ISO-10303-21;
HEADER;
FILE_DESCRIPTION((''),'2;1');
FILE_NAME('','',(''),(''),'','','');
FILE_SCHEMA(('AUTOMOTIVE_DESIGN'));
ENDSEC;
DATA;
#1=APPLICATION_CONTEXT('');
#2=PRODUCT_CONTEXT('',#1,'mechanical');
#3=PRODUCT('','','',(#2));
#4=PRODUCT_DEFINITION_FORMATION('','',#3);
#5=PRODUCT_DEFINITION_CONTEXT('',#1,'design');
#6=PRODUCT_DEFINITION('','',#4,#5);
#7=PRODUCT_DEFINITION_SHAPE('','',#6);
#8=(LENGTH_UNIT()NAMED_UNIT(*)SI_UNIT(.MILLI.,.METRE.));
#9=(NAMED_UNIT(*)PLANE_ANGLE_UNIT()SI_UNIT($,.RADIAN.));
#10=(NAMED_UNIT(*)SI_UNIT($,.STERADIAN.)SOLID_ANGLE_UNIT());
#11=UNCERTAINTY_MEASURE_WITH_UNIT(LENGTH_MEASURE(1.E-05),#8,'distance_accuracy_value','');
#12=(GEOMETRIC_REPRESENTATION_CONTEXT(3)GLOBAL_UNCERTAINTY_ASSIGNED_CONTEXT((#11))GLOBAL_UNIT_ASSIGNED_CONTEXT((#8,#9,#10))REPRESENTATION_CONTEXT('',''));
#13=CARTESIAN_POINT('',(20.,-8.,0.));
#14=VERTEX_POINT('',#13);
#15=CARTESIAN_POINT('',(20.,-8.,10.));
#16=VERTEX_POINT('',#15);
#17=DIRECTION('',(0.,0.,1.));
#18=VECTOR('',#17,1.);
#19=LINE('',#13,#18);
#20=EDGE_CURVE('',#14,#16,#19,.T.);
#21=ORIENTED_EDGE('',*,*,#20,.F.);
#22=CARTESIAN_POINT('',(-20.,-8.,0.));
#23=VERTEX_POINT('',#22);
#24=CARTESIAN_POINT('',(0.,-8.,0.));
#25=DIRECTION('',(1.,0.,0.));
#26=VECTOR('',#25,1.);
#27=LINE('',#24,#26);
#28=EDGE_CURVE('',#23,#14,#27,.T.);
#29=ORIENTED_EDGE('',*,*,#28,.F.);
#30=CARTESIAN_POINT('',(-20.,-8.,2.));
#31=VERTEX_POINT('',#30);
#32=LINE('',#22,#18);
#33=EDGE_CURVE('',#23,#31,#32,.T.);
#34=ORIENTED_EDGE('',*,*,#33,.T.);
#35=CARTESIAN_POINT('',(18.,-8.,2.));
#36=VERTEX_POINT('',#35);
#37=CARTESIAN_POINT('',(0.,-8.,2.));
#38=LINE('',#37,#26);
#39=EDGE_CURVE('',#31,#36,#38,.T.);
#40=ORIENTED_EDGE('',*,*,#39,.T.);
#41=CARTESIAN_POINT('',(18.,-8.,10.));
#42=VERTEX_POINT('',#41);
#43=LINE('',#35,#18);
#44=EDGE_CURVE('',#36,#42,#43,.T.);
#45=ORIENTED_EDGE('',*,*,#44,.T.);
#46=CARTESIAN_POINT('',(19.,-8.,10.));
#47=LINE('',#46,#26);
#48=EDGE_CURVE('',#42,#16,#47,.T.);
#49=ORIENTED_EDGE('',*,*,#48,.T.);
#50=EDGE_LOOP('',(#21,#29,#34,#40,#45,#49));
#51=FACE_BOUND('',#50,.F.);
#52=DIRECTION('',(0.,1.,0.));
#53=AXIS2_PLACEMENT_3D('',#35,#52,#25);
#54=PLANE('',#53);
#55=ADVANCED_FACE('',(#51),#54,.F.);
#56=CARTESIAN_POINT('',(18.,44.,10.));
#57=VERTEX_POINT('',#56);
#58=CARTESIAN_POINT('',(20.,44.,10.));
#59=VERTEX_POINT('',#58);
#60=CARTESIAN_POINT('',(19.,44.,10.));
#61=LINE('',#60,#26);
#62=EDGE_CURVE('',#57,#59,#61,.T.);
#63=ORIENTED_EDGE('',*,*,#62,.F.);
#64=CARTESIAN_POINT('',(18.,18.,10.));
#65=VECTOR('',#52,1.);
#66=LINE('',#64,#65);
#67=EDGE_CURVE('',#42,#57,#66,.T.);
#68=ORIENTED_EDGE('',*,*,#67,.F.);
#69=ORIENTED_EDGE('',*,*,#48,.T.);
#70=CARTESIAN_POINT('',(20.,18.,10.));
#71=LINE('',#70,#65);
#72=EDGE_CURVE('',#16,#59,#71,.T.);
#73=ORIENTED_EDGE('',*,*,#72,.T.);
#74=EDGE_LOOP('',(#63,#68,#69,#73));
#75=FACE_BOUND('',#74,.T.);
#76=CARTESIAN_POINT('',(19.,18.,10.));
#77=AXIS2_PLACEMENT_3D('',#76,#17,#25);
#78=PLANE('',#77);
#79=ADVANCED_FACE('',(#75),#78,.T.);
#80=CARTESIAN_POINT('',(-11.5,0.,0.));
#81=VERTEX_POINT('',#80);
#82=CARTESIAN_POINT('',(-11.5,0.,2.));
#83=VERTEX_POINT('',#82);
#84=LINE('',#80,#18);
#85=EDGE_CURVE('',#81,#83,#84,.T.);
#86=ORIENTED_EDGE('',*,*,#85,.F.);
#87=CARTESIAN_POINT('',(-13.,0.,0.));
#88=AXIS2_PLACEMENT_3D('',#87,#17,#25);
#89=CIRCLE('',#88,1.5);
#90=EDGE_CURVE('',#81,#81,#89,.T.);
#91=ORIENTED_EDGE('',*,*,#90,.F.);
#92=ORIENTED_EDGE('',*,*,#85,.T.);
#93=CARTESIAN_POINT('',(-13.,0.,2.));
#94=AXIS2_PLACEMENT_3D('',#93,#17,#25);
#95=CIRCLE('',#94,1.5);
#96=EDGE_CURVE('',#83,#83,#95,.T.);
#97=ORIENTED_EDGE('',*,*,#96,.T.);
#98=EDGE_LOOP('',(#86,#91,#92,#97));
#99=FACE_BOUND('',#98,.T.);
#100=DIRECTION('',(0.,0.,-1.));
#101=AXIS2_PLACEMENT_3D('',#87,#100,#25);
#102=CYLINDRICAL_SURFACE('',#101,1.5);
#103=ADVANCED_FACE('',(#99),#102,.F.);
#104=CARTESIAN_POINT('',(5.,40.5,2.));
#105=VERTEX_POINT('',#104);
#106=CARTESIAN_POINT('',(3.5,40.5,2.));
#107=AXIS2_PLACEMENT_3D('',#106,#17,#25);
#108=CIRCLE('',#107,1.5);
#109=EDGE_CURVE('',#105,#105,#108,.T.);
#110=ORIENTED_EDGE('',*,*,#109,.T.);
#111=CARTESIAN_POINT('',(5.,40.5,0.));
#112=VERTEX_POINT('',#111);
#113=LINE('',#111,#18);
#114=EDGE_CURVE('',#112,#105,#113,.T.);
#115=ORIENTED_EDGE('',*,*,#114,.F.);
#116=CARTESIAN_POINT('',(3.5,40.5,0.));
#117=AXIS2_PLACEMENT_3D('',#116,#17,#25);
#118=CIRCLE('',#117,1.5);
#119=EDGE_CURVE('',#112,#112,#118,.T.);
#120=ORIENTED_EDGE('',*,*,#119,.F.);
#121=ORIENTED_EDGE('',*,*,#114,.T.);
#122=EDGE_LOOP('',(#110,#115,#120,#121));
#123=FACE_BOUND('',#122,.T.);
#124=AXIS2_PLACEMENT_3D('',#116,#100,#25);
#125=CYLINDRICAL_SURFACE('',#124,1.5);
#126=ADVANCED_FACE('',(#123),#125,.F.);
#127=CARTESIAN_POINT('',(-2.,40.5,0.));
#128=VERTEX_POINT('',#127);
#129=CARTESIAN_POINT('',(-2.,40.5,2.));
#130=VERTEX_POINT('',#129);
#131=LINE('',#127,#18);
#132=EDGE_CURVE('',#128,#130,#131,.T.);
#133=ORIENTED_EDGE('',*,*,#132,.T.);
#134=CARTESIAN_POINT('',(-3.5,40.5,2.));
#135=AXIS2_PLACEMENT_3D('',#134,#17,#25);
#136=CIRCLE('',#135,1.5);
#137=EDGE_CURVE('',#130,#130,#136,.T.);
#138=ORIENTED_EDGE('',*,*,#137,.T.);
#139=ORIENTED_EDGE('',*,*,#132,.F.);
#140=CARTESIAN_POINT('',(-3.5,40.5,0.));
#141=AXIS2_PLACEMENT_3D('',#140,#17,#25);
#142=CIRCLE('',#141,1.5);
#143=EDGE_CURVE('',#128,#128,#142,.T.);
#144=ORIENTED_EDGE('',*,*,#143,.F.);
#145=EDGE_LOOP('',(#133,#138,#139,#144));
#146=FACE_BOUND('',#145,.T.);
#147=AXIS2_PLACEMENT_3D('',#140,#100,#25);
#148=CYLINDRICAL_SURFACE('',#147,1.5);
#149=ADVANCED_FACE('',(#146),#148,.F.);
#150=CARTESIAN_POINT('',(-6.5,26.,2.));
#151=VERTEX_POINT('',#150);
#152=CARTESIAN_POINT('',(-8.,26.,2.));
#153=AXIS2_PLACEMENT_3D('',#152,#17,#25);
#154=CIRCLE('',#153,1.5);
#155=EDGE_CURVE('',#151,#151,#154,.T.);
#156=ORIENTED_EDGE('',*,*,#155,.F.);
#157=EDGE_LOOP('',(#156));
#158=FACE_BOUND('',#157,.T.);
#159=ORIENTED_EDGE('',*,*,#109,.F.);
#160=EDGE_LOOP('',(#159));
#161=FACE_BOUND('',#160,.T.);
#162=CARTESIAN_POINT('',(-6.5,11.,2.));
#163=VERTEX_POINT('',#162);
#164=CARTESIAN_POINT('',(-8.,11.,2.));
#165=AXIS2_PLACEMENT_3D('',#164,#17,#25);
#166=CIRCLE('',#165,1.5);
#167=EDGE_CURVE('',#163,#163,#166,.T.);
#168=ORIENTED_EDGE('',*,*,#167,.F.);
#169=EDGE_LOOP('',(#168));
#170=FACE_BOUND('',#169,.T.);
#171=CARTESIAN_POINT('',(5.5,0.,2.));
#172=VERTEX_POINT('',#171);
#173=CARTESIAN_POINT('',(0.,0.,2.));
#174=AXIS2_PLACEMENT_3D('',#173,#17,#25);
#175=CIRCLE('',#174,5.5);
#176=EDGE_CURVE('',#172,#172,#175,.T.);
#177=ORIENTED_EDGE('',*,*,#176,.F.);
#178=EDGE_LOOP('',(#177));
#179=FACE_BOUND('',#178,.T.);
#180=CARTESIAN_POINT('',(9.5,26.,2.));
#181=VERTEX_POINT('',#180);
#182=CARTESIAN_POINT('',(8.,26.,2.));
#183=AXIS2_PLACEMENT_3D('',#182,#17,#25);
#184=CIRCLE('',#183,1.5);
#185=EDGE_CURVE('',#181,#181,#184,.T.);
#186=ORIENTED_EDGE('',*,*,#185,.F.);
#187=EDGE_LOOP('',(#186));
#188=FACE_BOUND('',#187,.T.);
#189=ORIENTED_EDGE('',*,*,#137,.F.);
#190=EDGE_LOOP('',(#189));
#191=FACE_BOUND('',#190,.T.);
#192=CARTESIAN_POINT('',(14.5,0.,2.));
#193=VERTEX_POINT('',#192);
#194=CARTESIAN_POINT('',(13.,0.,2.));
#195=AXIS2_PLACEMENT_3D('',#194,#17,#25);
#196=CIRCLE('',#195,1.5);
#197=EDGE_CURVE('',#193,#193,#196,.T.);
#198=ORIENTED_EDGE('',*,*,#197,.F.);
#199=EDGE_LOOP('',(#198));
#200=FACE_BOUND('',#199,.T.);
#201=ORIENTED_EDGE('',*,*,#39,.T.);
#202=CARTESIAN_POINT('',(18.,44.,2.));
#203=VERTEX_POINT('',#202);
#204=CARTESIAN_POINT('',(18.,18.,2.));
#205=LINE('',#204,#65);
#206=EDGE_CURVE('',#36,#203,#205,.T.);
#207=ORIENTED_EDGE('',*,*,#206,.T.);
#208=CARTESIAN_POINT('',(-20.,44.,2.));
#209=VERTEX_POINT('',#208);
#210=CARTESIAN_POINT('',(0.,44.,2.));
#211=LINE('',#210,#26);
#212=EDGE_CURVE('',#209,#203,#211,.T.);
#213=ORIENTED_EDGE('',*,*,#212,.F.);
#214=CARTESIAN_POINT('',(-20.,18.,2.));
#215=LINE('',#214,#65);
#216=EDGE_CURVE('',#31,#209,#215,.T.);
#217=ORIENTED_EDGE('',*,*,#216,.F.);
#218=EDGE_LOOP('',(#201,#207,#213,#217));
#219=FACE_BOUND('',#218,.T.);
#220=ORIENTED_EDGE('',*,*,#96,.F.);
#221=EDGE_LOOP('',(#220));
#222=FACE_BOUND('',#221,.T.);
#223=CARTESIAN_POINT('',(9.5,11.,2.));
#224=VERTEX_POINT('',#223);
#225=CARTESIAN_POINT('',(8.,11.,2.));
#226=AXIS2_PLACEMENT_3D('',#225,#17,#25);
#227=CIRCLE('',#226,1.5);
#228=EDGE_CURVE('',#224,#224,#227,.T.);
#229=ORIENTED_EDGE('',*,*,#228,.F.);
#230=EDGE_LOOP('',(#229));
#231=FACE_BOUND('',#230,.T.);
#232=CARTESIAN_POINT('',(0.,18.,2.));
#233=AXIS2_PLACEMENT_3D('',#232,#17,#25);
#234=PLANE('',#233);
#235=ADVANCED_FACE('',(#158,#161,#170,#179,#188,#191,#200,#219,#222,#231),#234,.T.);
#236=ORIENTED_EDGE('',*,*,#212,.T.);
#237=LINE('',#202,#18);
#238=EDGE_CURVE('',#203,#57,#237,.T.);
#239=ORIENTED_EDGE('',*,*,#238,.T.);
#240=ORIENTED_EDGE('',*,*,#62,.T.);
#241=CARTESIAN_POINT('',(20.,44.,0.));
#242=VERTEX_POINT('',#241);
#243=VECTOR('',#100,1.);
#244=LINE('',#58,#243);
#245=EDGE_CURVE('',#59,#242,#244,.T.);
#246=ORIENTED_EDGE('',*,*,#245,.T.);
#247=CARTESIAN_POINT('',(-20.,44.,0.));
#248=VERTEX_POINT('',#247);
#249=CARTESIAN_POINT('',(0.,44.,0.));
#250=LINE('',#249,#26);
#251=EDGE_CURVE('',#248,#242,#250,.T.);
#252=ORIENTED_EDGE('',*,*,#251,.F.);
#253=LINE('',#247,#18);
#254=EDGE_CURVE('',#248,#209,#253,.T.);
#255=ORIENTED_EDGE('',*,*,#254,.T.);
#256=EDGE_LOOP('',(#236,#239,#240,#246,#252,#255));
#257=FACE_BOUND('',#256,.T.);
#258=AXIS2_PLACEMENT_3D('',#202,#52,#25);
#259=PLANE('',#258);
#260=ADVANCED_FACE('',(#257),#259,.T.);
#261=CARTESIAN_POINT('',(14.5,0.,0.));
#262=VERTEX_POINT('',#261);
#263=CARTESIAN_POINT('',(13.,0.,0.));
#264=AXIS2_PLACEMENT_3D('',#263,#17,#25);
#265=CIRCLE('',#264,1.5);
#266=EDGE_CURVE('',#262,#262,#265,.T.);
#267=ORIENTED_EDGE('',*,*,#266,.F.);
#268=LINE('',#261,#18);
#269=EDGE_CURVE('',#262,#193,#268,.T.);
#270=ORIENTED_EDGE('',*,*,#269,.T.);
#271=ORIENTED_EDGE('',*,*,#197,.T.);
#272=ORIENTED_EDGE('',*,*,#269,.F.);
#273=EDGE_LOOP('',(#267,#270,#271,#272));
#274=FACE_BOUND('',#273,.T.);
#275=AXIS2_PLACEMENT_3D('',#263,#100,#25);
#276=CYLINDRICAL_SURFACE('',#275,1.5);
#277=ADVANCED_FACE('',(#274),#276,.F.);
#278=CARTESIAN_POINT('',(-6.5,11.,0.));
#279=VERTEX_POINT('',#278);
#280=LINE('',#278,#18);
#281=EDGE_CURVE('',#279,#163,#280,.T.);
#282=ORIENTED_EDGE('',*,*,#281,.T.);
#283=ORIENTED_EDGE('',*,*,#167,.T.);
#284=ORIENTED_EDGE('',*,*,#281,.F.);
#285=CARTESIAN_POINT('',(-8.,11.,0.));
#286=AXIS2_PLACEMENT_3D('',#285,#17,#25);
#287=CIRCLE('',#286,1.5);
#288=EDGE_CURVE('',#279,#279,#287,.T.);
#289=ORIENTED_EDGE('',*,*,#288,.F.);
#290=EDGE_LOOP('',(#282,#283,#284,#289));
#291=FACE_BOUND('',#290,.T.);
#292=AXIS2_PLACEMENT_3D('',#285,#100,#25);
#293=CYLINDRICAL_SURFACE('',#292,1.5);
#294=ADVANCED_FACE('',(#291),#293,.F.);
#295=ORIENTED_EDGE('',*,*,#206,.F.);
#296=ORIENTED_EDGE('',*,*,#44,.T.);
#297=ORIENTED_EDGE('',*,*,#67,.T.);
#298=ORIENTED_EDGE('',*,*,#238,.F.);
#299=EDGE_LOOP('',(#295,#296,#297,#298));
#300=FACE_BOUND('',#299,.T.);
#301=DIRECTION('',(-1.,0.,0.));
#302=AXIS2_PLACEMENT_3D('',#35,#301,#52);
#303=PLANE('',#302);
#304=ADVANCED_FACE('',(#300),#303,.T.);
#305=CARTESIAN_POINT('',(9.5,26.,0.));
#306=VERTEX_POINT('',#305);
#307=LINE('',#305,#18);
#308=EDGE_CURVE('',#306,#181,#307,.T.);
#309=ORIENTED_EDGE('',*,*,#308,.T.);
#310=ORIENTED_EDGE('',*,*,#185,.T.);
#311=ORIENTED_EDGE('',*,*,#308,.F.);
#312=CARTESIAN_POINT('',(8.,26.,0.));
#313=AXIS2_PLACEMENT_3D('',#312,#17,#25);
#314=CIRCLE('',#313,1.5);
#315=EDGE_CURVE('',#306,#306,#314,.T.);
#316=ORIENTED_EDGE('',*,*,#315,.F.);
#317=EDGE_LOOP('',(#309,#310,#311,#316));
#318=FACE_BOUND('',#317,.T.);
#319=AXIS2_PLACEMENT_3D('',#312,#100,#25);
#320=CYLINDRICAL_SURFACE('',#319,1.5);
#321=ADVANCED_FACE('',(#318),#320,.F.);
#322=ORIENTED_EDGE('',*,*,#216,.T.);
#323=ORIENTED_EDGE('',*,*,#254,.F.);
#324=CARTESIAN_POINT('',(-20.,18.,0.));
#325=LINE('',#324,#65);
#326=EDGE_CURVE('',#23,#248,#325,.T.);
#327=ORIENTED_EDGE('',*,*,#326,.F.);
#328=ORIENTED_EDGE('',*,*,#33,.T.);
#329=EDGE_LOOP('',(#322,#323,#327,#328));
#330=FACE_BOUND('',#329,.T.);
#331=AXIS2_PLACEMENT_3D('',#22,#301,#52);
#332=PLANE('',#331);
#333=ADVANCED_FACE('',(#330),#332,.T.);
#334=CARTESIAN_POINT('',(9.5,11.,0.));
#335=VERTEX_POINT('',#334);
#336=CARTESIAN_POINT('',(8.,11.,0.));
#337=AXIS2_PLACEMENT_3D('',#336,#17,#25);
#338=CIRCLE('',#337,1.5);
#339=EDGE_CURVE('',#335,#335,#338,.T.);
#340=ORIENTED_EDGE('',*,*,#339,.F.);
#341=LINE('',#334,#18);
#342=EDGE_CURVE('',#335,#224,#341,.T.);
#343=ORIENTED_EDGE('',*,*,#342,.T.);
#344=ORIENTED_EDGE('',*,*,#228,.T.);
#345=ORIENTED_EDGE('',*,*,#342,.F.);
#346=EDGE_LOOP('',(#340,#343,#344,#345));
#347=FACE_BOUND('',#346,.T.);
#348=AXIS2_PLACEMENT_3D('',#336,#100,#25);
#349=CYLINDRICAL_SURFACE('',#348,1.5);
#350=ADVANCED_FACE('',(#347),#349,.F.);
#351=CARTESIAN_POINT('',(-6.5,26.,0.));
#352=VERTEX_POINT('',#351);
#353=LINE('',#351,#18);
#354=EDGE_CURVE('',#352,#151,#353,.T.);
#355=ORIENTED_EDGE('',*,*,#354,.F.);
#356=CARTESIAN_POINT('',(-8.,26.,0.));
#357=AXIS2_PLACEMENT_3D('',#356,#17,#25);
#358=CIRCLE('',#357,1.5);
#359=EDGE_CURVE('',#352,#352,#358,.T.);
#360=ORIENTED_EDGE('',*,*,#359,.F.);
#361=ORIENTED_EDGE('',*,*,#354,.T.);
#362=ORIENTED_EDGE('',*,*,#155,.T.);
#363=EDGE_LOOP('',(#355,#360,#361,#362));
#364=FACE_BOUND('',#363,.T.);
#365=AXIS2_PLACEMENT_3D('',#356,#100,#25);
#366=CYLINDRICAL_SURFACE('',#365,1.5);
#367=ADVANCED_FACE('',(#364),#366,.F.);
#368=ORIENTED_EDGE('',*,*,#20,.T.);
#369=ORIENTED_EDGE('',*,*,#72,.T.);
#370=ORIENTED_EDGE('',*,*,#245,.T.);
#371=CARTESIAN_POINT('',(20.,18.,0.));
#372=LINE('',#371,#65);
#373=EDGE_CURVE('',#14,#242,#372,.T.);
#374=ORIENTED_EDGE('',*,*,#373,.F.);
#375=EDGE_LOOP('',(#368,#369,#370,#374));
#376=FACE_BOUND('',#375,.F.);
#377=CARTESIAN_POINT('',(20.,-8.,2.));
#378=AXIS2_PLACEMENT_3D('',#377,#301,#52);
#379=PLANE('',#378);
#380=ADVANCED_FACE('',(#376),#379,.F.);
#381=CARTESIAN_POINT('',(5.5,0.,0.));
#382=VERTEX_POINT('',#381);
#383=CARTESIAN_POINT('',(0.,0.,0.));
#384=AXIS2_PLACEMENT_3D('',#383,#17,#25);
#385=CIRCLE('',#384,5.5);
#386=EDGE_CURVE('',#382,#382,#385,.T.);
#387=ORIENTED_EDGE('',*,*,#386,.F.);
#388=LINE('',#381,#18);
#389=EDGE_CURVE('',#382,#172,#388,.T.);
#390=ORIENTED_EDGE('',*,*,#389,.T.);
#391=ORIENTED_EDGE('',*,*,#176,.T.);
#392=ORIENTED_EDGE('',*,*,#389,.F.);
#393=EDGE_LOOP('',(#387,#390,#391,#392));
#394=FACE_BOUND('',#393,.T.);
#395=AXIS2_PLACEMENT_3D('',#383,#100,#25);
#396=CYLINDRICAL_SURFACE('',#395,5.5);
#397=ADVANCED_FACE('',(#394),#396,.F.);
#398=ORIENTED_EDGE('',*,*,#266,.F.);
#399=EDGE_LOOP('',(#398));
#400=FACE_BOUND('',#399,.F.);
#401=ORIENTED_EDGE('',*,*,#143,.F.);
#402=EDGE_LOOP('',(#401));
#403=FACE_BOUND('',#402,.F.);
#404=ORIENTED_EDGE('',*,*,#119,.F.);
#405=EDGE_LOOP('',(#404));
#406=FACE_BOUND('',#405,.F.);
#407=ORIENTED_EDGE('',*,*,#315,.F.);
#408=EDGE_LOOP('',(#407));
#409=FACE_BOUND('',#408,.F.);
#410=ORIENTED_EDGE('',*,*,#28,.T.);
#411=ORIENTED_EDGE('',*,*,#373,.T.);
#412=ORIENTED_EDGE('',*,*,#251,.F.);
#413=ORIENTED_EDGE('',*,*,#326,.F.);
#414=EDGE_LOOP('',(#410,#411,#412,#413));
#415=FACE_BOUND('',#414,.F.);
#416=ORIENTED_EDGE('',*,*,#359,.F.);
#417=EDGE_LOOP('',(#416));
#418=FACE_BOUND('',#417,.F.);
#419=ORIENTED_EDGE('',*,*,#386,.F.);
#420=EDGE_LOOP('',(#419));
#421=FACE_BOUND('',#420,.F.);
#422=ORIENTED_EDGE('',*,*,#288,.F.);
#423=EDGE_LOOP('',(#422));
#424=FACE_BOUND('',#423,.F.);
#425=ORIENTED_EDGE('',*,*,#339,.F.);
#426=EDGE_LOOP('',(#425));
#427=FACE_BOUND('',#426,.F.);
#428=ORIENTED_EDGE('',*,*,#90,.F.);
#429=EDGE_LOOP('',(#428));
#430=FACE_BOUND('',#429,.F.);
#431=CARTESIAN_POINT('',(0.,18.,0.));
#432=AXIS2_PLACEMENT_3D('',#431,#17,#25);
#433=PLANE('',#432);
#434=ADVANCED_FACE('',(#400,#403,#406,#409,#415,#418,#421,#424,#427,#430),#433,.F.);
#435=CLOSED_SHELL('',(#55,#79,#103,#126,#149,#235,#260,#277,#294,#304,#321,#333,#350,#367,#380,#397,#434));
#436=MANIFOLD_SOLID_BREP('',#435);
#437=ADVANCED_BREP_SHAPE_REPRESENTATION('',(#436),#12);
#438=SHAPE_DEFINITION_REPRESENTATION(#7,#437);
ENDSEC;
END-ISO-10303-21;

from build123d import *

# Parameters (mm, degrees)
F0_W     = 40
F0_H     = 52
F0_R     = 1.5
F0_R_2   = 5.5
F1_DEPTH = 2
F2_W     = 2
F2_H     = 52
F3_DEPTH = 8


with BuildPart() as f1:
    # F0 (on Top) → F1 (new body)
    with BuildSketch(Plane.XY):
        with Locations((0, 18)):
            Rectangle(F0_W, F0_H)
        with Locations((-13, 0)):
            Circle(F0_R, mode=Mode.SUBTRACT)
        with Locations((-8, 11)):
            Circle(F0_R, mode=Mode.SUBTRACT)
        Circle(F0_R_2, mode=Mode.SUBTRACT)
        with Locations((13, 0)):
            Circle(F0_R, mode=Mode.SUBTRACT)
        with Locations((8, 11)):
            Circle(F0_R, mode=Mode.SUBTRACT)
        with Locations((-8, 26)):
            Circle(F0_R, mode=Mode.SUBTRACT)
        with Locations((-3.5, 40.5)):
            Circle(F0_R, mode=Mode.SUBTRACT)
        with Locations((8, 26)):
            Circle(F0_R, mode=Mode.SUBTRACT)
        with Locations((3.5, 40.5)):
            Circle(F0_R, mode=Mode.SUBTRACT)
    extrude(amount=F1_DEPTH)

    # F2 (on face) → F3 (join)
    with BuildSketch(Plane.XY.offset(2)):
        with Locations((19, 18)):
            Rectangle(F2_W, F2_H)
    extrude(amount=F3_DEPTH)


solid = f1.part
